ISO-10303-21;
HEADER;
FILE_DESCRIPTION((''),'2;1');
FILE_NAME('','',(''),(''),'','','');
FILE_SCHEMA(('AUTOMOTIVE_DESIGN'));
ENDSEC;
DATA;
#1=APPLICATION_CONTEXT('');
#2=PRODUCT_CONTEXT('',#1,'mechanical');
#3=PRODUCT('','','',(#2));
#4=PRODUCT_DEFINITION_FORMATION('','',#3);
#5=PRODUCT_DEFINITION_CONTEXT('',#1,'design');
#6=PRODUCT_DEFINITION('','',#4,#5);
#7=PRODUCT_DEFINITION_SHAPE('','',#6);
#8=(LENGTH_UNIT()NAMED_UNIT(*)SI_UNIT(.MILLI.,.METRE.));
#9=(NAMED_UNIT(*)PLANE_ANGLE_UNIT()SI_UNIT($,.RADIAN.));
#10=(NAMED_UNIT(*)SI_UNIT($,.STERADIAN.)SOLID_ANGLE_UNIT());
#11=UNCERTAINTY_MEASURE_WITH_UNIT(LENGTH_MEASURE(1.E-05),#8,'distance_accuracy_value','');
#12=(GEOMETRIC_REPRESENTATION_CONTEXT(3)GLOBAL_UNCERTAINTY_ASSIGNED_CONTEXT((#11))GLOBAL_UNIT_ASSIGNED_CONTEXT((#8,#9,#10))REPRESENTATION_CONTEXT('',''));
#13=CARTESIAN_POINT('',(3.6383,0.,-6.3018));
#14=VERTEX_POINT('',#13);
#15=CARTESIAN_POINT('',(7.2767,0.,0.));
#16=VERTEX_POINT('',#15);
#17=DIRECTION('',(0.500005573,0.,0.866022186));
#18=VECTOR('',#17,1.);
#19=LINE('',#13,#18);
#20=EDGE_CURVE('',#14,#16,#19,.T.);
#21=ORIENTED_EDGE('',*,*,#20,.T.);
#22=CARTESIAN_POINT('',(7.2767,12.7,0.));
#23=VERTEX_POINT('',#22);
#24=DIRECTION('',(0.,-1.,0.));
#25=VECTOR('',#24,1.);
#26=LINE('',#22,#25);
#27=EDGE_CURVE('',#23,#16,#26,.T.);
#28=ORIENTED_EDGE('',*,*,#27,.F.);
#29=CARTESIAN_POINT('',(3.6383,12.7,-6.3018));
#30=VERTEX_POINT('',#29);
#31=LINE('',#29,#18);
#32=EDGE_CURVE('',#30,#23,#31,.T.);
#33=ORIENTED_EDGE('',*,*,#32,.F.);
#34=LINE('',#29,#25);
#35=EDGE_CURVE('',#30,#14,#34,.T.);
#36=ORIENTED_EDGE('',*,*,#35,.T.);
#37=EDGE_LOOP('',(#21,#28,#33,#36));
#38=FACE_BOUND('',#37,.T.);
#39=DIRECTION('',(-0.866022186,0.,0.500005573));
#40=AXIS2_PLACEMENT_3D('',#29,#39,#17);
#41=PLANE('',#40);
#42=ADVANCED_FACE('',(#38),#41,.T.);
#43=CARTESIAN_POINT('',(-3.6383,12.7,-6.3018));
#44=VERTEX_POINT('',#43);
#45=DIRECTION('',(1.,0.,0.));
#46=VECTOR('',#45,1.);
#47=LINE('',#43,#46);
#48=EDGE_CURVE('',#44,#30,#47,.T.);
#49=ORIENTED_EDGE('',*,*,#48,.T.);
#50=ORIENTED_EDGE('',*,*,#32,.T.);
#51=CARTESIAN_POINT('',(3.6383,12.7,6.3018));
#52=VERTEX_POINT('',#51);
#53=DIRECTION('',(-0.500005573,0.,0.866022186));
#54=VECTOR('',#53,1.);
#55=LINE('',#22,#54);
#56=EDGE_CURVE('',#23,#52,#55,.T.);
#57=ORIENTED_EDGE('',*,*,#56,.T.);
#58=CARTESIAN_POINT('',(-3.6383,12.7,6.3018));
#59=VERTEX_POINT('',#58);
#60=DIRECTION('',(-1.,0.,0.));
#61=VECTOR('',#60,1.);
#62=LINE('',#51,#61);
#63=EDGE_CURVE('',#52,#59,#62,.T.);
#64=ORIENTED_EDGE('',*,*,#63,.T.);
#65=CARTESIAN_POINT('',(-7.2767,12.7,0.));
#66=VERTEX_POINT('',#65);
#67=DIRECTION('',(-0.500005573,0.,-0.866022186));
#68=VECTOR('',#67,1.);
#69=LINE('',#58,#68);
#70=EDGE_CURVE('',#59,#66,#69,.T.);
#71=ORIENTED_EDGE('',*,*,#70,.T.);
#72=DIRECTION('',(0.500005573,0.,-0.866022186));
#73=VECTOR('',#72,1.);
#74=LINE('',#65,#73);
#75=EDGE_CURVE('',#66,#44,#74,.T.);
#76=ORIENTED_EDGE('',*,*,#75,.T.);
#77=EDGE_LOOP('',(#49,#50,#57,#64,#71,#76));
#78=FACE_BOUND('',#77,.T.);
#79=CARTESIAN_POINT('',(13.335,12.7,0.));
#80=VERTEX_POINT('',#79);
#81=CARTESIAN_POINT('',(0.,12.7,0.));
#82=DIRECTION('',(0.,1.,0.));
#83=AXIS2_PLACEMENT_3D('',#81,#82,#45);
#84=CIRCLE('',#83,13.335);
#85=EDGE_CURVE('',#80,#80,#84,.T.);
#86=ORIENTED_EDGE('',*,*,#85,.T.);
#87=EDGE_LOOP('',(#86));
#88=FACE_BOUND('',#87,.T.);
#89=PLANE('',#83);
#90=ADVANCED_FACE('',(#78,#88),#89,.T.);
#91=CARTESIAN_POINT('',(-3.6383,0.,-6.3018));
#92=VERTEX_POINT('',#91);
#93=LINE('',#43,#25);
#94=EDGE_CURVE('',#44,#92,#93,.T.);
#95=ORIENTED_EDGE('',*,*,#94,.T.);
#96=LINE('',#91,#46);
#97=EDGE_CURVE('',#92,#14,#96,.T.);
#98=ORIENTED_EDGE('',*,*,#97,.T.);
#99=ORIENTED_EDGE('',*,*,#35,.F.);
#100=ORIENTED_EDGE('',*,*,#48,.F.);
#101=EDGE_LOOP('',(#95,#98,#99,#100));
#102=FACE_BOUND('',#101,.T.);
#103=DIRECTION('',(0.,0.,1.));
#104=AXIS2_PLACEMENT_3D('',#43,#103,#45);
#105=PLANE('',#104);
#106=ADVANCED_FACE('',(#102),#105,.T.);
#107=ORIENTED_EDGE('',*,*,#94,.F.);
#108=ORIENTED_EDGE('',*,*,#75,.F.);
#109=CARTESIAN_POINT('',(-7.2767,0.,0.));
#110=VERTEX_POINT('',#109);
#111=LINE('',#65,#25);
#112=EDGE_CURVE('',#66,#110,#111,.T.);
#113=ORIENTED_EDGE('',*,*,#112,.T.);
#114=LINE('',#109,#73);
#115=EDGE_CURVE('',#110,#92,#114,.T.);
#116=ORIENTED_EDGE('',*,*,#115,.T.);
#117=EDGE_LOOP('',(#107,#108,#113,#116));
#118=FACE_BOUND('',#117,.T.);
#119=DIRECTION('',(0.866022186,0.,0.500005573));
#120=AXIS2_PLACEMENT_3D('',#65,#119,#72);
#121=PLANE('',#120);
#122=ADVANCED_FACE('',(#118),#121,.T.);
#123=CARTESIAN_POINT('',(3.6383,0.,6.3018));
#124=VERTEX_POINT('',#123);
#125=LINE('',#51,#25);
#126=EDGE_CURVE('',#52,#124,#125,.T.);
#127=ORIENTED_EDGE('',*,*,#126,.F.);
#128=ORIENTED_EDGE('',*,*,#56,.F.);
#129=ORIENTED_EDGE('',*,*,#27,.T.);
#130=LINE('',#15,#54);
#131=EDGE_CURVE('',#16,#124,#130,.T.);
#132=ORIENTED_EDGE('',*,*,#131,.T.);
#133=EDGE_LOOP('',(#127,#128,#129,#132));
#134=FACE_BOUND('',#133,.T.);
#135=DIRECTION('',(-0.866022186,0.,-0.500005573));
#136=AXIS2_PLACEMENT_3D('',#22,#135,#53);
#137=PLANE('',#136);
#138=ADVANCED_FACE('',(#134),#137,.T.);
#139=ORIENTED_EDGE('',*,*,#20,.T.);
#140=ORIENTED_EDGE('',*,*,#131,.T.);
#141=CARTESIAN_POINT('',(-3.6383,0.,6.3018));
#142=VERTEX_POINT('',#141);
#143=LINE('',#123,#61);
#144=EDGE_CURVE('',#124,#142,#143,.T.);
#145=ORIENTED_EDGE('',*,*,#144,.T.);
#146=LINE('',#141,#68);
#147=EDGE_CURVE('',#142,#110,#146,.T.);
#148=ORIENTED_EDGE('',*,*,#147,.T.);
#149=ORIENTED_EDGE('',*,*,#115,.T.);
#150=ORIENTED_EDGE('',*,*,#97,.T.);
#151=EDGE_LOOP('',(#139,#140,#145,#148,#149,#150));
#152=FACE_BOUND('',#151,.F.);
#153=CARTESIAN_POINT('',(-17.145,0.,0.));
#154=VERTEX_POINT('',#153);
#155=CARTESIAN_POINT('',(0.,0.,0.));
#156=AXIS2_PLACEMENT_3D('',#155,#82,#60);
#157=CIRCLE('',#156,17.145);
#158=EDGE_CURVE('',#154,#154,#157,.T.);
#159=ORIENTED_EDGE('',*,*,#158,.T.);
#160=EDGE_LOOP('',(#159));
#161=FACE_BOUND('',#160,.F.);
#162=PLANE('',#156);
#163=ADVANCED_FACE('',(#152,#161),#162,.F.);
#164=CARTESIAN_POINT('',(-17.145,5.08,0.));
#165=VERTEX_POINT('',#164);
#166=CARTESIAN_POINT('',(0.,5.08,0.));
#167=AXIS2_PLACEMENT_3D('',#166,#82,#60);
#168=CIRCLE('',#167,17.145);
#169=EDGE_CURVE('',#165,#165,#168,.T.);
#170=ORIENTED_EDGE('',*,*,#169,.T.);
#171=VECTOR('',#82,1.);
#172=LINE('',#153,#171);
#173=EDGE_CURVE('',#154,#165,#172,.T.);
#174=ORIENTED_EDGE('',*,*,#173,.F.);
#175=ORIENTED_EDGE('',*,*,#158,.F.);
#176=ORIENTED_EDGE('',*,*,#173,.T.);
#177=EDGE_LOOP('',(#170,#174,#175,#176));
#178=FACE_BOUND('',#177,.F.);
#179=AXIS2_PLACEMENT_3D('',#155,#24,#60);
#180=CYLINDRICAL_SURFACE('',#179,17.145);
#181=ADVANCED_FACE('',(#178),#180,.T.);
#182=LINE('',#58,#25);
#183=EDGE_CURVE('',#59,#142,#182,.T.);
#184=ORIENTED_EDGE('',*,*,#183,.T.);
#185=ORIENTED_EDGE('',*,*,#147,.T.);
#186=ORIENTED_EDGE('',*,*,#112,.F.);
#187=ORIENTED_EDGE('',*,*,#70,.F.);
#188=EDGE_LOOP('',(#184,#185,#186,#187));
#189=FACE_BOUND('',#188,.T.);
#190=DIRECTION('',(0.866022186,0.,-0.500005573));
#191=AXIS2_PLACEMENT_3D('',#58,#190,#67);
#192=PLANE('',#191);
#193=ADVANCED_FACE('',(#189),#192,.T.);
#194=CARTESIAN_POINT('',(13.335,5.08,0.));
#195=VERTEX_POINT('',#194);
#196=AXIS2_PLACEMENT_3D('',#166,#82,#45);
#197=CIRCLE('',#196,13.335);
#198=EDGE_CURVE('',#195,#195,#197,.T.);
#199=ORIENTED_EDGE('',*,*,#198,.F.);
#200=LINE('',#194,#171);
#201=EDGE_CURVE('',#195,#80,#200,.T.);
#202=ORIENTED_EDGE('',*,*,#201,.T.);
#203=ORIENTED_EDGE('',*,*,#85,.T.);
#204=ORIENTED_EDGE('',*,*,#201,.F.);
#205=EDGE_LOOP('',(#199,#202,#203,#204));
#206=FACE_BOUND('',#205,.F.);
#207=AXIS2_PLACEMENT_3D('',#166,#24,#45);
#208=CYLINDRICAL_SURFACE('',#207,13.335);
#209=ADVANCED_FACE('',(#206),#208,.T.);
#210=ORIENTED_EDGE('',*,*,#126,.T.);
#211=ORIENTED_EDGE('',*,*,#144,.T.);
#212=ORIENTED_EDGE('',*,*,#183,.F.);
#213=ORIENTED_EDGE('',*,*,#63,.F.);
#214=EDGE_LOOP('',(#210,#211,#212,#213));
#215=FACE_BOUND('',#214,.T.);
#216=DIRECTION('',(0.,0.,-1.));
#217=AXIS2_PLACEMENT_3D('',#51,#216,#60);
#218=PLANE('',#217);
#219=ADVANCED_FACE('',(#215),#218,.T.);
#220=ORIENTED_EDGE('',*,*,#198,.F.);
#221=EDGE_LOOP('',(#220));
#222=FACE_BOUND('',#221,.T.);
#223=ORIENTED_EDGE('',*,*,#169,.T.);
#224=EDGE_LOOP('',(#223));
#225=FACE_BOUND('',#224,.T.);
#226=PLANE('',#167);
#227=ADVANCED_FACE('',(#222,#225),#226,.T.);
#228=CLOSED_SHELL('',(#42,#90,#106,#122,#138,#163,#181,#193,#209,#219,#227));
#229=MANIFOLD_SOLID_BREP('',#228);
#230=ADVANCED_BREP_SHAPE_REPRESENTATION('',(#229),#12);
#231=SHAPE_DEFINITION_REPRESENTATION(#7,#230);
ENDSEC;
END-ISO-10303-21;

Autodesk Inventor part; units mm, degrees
ref_plane "YZ Plane" through (0, 0, 0) normal (1, 0, 0) x (0, 1, 0)
ref_plane "XZ Plane" through (0, 0, 0) normal (0, 1, 0) x (-1, 0, 0)
ref_plane "XY Plane" through (0, 0, 0) normal (0, 0, 1) x (1, 0, 0)
sketch "Sketch1" plane through (0, 0, 0) normal (0, 1, 0) x (-1, 0, 0)
  circle A0 centre (0, 0) radius 17.145
  dimension "d0" = 34.29
extrude "Extrusion1" add sketch "Sketch1" along normal blind 5.08
sketch "Sketch2" plane through (0, 5.08, 0) normal (0, 1, 0) x (1, 0, 0)
  circle A0 centre (0, 0) radius 13.335
  dimension "d3" = 26.67
extrude "Extrusion2" add sketch "Sketch2" along normal blind 7.62
sketch "Sketch3" plane through (0, 12.7, 0) normal (0, 1, 0) x (1, 0, 0)
  line L0 (-3.6383, -6.3018) -> (-7.2767, 0)
  line L1 (-7.2767, 0) -> (-3.6383, 6.3018)
  line L2 (-3.6383, 6.3018) -> (3.6383, 6.3018)
  line L3 (3.6383, 6.3018) -> (7.2767, 0)
  line L4 (7.2767, 0) -> (3.6383, -6.3018)
  line L5 (3.6383, -6.3018) -> (-3.6383, -6.3018)
  point P0 (0, 0)
  point P1 (0, 0)
extrude "Extrusion3" cut sketch "Sketch3" against normal blind 12.7
properties part number "Hex Shaft Holder"
